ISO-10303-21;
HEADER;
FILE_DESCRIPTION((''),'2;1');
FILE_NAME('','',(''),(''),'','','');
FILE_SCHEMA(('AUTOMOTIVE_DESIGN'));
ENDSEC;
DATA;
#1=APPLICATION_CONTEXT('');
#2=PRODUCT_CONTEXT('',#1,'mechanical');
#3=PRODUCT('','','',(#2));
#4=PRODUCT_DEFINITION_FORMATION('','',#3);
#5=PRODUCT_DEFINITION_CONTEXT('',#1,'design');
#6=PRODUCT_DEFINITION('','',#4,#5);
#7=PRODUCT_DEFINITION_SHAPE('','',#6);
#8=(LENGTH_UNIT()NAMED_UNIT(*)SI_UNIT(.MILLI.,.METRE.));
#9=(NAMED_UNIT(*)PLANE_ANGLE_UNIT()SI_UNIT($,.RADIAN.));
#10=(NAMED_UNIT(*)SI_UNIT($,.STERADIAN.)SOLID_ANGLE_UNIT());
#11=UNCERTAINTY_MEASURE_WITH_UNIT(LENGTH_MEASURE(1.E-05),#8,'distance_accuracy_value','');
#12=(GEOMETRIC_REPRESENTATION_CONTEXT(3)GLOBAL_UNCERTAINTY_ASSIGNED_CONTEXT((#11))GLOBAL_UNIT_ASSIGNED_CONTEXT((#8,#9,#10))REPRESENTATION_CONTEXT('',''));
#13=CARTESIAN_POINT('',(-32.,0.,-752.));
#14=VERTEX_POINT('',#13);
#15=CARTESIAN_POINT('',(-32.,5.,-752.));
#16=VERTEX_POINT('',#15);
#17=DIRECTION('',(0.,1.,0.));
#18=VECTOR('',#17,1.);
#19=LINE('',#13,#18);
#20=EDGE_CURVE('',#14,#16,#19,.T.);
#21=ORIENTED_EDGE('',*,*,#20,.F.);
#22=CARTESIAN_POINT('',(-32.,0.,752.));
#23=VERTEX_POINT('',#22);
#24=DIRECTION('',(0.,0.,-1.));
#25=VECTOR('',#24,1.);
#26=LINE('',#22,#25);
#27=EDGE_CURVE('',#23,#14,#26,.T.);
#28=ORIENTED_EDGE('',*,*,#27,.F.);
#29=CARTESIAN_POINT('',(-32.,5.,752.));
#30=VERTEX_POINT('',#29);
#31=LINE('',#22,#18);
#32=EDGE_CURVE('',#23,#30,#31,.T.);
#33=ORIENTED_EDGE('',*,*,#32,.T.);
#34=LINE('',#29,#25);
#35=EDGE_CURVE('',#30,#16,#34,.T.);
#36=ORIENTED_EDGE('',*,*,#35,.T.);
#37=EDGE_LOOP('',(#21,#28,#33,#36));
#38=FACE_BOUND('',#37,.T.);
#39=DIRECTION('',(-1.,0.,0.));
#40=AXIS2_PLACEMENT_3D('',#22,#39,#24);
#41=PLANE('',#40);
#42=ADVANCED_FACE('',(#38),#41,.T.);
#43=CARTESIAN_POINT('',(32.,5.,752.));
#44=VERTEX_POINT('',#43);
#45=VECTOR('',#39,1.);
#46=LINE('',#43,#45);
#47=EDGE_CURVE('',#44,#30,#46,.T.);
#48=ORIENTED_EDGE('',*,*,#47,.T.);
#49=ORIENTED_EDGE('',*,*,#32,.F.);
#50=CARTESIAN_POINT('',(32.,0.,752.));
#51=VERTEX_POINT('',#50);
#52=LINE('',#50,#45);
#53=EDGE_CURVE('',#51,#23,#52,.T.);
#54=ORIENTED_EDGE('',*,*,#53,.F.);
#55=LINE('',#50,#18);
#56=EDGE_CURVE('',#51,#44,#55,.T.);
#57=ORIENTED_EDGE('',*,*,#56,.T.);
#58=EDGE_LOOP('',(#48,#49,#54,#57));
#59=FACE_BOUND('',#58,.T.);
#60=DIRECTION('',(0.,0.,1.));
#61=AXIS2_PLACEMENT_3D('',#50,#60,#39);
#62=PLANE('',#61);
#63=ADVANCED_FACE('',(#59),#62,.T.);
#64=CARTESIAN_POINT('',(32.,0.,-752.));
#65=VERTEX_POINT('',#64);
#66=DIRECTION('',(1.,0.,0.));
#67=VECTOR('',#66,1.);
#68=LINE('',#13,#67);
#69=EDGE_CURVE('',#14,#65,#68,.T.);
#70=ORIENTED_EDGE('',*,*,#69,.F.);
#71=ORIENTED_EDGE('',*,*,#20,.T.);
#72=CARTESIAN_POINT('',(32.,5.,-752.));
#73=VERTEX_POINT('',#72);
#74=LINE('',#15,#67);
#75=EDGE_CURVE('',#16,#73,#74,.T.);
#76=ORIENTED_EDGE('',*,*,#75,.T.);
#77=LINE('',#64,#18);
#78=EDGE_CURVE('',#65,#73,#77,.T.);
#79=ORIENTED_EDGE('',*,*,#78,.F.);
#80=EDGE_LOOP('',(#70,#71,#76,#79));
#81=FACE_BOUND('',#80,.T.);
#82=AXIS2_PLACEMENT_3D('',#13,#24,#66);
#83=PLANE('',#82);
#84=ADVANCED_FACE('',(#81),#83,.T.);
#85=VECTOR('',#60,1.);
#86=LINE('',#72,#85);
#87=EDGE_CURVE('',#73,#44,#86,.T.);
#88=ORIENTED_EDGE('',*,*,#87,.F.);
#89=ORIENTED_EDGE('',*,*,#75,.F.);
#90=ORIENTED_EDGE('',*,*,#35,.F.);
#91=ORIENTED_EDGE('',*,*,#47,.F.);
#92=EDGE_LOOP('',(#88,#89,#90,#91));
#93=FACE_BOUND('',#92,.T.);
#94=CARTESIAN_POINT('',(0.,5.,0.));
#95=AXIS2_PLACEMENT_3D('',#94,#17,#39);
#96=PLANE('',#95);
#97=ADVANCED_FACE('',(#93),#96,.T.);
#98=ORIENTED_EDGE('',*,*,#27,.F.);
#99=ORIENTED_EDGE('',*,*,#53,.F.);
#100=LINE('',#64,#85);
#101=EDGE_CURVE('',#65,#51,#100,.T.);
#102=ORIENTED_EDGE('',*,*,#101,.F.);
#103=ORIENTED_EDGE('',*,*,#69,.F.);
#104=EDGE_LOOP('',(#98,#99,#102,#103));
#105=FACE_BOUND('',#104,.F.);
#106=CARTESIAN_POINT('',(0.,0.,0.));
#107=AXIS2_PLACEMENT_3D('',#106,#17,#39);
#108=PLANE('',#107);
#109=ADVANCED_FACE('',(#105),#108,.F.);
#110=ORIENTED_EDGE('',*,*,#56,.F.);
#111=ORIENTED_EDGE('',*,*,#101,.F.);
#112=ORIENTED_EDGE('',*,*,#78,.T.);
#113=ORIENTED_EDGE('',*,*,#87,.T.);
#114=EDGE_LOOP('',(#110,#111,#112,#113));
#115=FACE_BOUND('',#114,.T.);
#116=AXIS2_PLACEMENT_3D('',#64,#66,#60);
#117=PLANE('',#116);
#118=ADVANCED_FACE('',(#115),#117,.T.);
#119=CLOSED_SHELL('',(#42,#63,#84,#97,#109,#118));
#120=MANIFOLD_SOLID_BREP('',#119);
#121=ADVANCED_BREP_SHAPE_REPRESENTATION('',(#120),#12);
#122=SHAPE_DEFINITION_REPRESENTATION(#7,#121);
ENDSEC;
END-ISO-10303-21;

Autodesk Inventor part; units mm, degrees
ref_plane "YZ Plane" through (0, 0, 0) normal (1, 0, 0) x (0, 1, 0)
ref_plane "XZ Plane" through (0, 0, 0) normal (0, 1, 0) x (-1, 0, 0)
ref_plane "XY Plane" through (0, 0, 0) normal (0, 0, 1) x (1, 0, 0)
sketch "Эскиз1" plane through (0, 0, 0) normal (0, 1, 0) x (-1, 0, 0)
  line L0 (-32, 752) -> (32, 752)
  line L1 (32, 752) -> (32, -752)
  line L2 (32, -752) -> (-32, -752)
  line L3 (-32, -752) -> (-32, 752)
  line L4 (-32, 752) -> (32, -752) construction
  line L5 (32, 752) -> (-32, -752) construction
  point P0 (0, 0)
  dimension "d0" = 64
  dimension "d1" = 1504
extrude "Пластина1" add sketch "Эскиз1" along normal blind 5
equation "\"d2\" = Толщина"
equation "\"Радиус_гибки\" = Толщина"
equation "\"Ширина_просечки\" = Толщина"
equation "\"Глубина_просечки\" = 0.5 * Толщина"
equation "\"Радиус_перехода\" = Радиус_гибки"
equation "\"Радиус_Якоби\" = Радиус_гибки"
equation "\"Размер_зазора\" = Толщина"
equation "\"Толщина\" = 5"
properties part number "0923_CPY"
